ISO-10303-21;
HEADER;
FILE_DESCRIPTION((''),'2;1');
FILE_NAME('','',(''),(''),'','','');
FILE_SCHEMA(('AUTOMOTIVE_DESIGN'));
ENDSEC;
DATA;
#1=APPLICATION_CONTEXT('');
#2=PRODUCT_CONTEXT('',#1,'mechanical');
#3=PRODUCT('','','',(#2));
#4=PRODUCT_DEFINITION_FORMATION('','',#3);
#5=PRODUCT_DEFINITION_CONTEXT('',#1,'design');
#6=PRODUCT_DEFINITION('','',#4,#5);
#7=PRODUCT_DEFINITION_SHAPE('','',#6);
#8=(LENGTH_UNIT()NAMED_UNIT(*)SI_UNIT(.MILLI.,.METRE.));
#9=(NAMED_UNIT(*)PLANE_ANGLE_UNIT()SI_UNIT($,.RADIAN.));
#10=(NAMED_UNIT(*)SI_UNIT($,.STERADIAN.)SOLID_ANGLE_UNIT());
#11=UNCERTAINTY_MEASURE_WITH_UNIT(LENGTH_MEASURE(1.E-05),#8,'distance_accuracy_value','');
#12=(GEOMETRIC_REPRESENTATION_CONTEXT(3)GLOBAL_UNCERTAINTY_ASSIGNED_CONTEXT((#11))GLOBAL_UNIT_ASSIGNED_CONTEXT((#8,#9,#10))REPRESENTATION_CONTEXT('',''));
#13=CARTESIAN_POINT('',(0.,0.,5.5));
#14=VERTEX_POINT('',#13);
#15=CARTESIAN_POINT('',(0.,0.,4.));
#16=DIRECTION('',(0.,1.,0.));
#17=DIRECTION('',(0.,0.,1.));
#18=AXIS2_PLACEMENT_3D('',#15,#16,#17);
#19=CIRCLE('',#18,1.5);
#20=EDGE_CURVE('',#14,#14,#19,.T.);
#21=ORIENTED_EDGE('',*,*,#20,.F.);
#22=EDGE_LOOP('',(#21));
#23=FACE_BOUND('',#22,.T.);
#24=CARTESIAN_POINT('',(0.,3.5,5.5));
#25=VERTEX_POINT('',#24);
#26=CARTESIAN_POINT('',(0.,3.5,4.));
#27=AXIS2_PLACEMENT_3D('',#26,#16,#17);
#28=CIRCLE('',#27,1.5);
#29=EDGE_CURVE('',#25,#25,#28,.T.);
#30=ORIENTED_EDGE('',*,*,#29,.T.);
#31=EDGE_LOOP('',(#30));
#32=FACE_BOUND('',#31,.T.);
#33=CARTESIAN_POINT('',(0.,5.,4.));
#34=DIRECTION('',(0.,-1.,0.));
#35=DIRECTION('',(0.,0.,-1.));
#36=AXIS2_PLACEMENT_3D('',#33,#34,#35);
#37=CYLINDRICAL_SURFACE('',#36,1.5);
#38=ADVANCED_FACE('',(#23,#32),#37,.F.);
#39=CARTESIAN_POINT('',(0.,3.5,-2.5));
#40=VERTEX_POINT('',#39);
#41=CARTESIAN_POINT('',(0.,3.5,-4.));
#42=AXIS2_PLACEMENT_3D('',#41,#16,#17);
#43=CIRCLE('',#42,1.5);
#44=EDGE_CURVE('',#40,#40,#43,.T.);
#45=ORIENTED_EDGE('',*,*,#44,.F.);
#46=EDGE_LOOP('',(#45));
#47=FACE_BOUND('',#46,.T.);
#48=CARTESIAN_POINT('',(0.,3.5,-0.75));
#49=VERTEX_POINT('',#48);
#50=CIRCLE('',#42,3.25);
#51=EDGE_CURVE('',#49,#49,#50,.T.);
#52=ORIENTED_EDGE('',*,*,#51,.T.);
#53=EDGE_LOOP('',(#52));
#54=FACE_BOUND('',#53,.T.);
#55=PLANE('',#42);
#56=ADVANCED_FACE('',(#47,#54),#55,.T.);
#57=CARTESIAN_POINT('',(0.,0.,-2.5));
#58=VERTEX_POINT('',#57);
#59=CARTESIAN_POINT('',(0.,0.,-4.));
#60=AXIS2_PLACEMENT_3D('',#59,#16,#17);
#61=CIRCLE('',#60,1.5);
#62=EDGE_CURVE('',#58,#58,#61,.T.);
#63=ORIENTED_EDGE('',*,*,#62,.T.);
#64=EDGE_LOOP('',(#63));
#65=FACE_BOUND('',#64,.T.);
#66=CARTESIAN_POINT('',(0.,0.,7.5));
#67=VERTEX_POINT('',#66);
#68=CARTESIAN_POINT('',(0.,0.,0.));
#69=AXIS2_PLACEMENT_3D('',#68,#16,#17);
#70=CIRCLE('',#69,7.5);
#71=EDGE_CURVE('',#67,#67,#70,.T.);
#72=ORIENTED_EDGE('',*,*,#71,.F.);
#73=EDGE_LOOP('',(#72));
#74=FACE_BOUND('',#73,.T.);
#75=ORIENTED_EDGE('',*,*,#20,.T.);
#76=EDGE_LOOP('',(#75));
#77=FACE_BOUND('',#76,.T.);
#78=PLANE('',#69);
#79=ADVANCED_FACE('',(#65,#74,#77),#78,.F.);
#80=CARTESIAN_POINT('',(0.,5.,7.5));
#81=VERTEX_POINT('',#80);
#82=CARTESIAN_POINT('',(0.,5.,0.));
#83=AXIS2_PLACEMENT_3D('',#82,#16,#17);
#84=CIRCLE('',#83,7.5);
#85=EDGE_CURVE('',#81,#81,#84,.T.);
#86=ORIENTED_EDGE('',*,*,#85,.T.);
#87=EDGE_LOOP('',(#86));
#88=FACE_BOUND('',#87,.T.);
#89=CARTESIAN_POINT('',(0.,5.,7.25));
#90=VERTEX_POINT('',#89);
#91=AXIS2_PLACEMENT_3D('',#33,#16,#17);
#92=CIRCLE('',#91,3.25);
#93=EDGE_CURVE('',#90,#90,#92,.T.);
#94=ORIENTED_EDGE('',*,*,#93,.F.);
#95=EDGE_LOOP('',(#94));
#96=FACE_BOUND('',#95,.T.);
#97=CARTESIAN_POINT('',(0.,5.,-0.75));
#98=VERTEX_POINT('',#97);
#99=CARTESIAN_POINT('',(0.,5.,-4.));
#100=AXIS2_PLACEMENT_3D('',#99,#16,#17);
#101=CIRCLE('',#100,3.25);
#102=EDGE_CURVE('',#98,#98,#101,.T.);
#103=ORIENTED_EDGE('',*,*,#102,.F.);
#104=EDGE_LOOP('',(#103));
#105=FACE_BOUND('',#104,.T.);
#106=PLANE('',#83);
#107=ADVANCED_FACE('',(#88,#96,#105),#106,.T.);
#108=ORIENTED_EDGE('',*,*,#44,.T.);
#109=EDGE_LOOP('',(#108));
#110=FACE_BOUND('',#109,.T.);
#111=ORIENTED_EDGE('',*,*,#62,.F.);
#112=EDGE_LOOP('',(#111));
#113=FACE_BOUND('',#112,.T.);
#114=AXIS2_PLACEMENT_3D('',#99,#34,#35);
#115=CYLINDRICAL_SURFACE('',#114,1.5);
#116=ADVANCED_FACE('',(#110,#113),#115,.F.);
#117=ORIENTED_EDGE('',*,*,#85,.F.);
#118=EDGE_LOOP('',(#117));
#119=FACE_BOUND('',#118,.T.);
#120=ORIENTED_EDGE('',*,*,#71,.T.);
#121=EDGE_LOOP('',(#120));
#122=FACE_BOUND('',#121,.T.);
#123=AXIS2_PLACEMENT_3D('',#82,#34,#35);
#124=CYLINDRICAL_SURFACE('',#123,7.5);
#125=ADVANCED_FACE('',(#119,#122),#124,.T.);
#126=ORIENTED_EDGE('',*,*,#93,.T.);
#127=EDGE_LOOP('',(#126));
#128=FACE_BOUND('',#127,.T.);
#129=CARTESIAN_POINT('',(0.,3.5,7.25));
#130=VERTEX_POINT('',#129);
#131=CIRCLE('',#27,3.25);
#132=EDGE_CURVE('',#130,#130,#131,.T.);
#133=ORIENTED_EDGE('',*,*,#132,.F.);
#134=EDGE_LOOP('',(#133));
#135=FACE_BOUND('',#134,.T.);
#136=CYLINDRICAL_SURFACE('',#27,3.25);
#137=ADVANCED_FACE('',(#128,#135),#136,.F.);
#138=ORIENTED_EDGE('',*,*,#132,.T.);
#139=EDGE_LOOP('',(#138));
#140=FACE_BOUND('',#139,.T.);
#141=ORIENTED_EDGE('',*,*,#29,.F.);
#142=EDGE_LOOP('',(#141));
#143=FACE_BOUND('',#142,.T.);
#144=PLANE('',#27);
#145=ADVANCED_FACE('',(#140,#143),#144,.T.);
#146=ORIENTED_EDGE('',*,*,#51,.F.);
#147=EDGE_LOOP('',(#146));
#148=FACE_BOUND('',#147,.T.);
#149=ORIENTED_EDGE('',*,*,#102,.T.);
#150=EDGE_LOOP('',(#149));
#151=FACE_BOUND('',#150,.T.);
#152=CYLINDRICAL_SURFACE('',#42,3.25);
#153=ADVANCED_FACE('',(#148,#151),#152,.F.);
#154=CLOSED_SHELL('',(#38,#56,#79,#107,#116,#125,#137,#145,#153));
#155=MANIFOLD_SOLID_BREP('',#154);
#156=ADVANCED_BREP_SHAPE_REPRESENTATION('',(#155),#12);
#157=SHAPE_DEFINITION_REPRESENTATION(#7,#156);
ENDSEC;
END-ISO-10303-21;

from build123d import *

# Parameters (mm, degrees)
SKETCH1_R           = 7.5
SKETCH1_R_2         = 1.5
BOSS_EXTRUDE1_DEPTH = 5
SKETCH2_R           = 3.25
CUT_EXTRUDE1_DEPTH  = 1.5


with BuildPart() as part:
    # Sketch1 → Boss-Extrude1 (new body)
    with BuildSketch(Plane(origin=(0, 0, 0), x_dir=(1, 0, 0), z_dir=(0, 1, 0))):
        with Locations(Location((0, 0, 0), (0, 0, 270))):
            Circle(SKETCH1_R)
        with Locations(Location((0, 4, 0), (0, 0, 270))):
            Circle(SKETCH1_R_2, mode=Mode.SUBTRACT)
        with Locations(Location((0, -4, 0), (0, 0, 270))):
            Circle(SKETCH1_R_2, mode=Mode.SUBTRACT)
    extrude(amount=BOSS_EXTRUDE1_DEPTH)

    # Sketch2 → Cut-Extrude1 (cut)
    with BuildSketch(Plane(origin=(0, 5, 0), x_dir=(1, 0, 0), z_dir=(0, 1, 0))):
        with Locations(Location((0, 4, 0), (0, 0, 270))):
            Circle(SKETCH2_R)
        with Locations(Location((0, -4, 0), (0, 0, 270))):
            Circle(SKETCH2_R)
    extrude(amount=-CUT_EXTRUDE1_DEPTH, mode=Mode.SUBTRACT)


solid = part.part
